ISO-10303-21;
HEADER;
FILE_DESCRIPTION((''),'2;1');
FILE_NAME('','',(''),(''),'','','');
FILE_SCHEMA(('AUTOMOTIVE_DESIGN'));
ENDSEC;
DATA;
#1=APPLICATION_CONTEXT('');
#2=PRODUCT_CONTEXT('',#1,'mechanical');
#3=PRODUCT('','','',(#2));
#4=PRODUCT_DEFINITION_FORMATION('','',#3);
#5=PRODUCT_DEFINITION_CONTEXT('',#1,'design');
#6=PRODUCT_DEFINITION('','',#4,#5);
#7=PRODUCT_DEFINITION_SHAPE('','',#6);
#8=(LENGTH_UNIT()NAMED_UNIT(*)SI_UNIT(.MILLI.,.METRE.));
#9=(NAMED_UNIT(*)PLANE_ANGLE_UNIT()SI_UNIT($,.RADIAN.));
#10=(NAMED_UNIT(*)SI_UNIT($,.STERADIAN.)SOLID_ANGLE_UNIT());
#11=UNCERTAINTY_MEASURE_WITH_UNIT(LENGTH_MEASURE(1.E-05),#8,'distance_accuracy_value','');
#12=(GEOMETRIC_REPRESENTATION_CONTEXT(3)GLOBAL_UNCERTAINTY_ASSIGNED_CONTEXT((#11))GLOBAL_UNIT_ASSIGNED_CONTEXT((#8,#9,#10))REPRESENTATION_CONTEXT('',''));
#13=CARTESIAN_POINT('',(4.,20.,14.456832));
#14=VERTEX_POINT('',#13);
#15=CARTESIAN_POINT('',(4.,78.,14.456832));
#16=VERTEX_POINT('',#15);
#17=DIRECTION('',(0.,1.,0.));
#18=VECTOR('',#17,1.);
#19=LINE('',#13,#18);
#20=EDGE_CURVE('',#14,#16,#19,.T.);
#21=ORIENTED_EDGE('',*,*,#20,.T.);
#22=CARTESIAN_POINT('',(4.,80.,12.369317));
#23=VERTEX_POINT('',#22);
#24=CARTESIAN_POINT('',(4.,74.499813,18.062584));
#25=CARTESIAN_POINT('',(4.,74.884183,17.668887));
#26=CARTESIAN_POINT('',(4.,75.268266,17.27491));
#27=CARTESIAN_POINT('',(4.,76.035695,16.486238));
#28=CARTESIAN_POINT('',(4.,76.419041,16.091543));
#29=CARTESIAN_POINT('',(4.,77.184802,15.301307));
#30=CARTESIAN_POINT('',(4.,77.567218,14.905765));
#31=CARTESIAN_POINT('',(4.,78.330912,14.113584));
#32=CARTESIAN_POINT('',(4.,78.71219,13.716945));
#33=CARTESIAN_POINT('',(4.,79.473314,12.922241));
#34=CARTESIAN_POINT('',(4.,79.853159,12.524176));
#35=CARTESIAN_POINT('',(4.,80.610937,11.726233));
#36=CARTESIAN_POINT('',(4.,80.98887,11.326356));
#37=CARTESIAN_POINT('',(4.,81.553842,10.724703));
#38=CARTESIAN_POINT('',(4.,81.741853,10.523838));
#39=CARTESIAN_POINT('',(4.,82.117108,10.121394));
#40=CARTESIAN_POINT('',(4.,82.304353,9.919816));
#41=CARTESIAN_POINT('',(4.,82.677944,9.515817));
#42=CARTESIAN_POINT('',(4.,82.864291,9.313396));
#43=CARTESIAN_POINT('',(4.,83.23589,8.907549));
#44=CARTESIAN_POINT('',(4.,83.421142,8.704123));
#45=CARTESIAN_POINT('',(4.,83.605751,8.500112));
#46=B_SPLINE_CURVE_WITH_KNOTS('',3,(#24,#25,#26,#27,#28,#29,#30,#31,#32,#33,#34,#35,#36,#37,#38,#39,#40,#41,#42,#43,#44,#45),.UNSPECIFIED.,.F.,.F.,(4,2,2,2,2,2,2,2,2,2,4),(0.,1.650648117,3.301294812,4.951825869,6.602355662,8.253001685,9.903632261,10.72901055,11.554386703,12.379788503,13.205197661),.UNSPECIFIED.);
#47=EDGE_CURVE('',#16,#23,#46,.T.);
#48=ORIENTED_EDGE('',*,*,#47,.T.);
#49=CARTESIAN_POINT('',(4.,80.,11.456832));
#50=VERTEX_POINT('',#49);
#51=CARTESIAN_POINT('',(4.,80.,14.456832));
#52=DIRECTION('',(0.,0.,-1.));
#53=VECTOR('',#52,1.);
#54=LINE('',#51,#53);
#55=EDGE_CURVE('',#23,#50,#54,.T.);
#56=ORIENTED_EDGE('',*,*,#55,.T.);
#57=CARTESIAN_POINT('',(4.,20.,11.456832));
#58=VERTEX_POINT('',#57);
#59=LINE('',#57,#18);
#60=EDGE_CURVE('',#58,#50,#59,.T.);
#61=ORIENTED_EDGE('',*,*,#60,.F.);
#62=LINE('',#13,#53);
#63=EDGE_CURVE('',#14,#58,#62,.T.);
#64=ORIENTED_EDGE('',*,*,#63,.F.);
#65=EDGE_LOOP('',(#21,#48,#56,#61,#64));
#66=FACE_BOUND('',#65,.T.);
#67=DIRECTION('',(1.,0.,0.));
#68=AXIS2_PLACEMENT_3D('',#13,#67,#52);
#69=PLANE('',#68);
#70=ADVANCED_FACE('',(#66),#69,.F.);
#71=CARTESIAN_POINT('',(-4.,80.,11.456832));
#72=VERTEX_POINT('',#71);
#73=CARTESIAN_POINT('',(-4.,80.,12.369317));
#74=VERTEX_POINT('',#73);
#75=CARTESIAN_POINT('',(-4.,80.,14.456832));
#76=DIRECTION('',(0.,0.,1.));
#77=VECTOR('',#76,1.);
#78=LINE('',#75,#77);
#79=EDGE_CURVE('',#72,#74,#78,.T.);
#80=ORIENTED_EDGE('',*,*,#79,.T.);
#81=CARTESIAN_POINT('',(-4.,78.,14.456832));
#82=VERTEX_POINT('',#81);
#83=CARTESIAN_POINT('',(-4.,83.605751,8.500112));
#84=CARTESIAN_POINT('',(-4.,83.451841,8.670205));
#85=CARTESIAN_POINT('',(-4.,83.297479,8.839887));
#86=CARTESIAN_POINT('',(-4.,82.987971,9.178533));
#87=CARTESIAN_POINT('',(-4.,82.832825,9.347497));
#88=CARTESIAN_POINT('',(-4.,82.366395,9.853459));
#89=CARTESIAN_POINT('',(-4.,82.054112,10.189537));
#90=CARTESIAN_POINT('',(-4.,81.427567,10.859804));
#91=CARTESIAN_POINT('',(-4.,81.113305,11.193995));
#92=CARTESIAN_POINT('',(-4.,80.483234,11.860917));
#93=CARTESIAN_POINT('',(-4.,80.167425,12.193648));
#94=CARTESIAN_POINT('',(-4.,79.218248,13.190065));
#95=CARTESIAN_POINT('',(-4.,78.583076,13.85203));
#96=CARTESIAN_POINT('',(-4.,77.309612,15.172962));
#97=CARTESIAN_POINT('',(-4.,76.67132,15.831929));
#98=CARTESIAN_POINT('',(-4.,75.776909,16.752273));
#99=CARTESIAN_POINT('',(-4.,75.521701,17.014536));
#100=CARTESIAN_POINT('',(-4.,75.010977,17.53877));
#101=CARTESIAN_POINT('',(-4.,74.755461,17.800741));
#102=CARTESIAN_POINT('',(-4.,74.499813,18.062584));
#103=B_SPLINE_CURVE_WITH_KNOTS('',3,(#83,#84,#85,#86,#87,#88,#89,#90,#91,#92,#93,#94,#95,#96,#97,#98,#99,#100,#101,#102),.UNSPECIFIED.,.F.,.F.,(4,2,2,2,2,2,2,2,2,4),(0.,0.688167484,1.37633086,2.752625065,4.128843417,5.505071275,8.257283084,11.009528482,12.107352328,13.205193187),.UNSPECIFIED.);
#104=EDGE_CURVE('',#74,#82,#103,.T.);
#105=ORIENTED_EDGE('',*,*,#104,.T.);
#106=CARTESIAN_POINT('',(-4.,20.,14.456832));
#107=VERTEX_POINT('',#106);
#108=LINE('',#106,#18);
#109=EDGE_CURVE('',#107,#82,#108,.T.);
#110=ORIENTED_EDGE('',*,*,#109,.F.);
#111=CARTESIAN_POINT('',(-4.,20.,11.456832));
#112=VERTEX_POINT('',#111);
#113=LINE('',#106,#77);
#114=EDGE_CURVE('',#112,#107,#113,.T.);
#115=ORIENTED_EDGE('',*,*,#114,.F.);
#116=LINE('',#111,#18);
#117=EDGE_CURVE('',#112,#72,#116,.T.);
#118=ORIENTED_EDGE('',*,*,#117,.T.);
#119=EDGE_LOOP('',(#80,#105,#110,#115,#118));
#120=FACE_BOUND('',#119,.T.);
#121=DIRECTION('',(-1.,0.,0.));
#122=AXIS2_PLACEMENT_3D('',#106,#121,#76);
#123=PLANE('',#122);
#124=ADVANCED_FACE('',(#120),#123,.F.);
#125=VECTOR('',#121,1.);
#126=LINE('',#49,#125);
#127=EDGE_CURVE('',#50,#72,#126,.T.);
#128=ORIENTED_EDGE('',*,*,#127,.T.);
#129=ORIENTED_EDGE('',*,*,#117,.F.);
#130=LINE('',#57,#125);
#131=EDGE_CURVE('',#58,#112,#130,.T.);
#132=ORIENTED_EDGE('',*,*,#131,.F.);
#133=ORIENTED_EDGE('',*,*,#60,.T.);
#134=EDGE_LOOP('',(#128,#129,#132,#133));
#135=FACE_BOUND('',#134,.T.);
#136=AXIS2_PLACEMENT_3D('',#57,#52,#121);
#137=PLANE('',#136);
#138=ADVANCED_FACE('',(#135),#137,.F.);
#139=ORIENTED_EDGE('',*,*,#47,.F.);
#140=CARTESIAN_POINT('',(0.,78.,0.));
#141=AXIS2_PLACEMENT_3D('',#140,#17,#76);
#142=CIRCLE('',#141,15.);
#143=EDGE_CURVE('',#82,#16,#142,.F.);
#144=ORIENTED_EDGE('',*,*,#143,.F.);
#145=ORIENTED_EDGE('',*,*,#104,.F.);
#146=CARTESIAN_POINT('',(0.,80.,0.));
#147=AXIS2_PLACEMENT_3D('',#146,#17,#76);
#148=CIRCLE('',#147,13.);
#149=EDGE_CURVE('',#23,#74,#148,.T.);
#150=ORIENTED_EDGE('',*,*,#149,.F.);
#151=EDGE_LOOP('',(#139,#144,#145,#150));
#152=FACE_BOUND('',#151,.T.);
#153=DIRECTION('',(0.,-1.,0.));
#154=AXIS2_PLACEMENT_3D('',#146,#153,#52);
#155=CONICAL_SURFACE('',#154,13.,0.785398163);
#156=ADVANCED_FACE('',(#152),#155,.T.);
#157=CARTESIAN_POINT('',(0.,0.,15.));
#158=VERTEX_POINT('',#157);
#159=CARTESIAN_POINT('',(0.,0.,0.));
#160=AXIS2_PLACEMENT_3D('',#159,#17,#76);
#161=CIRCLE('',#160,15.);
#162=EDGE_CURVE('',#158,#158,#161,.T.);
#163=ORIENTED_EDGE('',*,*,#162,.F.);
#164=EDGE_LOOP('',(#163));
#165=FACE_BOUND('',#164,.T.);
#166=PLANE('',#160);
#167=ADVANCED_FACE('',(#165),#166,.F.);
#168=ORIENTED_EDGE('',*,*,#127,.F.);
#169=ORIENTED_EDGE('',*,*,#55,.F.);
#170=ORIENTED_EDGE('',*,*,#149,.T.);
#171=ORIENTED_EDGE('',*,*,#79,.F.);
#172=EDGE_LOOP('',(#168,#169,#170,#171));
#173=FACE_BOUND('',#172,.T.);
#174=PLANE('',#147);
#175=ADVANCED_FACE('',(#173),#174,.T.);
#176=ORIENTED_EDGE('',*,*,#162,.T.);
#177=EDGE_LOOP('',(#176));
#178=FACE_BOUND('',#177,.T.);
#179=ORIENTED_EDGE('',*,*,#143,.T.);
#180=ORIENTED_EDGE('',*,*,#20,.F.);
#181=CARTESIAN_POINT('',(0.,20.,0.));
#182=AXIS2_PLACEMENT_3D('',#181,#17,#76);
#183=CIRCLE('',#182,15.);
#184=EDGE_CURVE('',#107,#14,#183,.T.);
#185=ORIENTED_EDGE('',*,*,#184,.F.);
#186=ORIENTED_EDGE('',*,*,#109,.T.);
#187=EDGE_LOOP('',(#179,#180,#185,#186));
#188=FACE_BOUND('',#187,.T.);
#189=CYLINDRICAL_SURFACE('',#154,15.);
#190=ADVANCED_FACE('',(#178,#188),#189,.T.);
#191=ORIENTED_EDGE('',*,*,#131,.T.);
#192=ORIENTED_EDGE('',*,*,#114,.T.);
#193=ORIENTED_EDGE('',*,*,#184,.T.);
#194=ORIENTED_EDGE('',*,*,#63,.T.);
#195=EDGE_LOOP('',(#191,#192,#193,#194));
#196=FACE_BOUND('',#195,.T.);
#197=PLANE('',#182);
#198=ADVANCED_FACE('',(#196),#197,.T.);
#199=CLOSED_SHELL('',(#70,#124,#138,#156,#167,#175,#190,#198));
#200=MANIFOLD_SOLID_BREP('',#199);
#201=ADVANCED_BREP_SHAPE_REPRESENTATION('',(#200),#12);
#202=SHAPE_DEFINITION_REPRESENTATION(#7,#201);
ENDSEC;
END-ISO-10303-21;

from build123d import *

# Parameters (mm, degrees)
SKETCH1_R           = 15
BOSS_EXTRUDE1_DEPTH = 80
CHAMFER1_SIZE       = 2
CUT_EXTRUDE1_START  = -60
CUT_EXTRUDE1_DEPTH  = 60


with BuildPart() as part:
    # Sketch1 → Boss-Extrude1 (new body)
    with BuildSketch(Plane(origin=(0, 0, 0), x_dir=(-1, 0, 0), z_dir=(0, 1, 0))):
        with Locations(Location((0, 0, 0), (0, 0, 90))):
            Circle(SKETCH1_R)
    extrude(amount=BOSS_EXTRUDE1_DEPTH)

    # Chamfer1
    chamfer1_edges = [part.edges().sort_by_distance(p)[0] for p in [
        (0, 80, -15),
    ]]
    chamfer(chamfer1_edges, length=CHAMFER1_SIZE)

    # Sketch3 → Cut-Extrude1 (cut)
    with BuildSketch(Plane(origin=(0, 80, 0), x_dir=(-1, 0, 0), z_dir=(0, 1, 0)).offset(CUT_EXTRUDE1_START)):
        with BuildLine():
            Line((-4, 14.456832295), (-4, 11.456832295))
            Line((-4, 11.456832295), (4, 11.456832295))
            Line((4, 11.456832295), (4, 14.456832295))
            ThreePointArc((4, 14.456832295), (0, 15), (-4, 14.456832295))
        make_face()
    extrude(amount=CUT_EXTRUDE1_DEPTH, mode=Mode.SUBTRACT)


solid = part.part
